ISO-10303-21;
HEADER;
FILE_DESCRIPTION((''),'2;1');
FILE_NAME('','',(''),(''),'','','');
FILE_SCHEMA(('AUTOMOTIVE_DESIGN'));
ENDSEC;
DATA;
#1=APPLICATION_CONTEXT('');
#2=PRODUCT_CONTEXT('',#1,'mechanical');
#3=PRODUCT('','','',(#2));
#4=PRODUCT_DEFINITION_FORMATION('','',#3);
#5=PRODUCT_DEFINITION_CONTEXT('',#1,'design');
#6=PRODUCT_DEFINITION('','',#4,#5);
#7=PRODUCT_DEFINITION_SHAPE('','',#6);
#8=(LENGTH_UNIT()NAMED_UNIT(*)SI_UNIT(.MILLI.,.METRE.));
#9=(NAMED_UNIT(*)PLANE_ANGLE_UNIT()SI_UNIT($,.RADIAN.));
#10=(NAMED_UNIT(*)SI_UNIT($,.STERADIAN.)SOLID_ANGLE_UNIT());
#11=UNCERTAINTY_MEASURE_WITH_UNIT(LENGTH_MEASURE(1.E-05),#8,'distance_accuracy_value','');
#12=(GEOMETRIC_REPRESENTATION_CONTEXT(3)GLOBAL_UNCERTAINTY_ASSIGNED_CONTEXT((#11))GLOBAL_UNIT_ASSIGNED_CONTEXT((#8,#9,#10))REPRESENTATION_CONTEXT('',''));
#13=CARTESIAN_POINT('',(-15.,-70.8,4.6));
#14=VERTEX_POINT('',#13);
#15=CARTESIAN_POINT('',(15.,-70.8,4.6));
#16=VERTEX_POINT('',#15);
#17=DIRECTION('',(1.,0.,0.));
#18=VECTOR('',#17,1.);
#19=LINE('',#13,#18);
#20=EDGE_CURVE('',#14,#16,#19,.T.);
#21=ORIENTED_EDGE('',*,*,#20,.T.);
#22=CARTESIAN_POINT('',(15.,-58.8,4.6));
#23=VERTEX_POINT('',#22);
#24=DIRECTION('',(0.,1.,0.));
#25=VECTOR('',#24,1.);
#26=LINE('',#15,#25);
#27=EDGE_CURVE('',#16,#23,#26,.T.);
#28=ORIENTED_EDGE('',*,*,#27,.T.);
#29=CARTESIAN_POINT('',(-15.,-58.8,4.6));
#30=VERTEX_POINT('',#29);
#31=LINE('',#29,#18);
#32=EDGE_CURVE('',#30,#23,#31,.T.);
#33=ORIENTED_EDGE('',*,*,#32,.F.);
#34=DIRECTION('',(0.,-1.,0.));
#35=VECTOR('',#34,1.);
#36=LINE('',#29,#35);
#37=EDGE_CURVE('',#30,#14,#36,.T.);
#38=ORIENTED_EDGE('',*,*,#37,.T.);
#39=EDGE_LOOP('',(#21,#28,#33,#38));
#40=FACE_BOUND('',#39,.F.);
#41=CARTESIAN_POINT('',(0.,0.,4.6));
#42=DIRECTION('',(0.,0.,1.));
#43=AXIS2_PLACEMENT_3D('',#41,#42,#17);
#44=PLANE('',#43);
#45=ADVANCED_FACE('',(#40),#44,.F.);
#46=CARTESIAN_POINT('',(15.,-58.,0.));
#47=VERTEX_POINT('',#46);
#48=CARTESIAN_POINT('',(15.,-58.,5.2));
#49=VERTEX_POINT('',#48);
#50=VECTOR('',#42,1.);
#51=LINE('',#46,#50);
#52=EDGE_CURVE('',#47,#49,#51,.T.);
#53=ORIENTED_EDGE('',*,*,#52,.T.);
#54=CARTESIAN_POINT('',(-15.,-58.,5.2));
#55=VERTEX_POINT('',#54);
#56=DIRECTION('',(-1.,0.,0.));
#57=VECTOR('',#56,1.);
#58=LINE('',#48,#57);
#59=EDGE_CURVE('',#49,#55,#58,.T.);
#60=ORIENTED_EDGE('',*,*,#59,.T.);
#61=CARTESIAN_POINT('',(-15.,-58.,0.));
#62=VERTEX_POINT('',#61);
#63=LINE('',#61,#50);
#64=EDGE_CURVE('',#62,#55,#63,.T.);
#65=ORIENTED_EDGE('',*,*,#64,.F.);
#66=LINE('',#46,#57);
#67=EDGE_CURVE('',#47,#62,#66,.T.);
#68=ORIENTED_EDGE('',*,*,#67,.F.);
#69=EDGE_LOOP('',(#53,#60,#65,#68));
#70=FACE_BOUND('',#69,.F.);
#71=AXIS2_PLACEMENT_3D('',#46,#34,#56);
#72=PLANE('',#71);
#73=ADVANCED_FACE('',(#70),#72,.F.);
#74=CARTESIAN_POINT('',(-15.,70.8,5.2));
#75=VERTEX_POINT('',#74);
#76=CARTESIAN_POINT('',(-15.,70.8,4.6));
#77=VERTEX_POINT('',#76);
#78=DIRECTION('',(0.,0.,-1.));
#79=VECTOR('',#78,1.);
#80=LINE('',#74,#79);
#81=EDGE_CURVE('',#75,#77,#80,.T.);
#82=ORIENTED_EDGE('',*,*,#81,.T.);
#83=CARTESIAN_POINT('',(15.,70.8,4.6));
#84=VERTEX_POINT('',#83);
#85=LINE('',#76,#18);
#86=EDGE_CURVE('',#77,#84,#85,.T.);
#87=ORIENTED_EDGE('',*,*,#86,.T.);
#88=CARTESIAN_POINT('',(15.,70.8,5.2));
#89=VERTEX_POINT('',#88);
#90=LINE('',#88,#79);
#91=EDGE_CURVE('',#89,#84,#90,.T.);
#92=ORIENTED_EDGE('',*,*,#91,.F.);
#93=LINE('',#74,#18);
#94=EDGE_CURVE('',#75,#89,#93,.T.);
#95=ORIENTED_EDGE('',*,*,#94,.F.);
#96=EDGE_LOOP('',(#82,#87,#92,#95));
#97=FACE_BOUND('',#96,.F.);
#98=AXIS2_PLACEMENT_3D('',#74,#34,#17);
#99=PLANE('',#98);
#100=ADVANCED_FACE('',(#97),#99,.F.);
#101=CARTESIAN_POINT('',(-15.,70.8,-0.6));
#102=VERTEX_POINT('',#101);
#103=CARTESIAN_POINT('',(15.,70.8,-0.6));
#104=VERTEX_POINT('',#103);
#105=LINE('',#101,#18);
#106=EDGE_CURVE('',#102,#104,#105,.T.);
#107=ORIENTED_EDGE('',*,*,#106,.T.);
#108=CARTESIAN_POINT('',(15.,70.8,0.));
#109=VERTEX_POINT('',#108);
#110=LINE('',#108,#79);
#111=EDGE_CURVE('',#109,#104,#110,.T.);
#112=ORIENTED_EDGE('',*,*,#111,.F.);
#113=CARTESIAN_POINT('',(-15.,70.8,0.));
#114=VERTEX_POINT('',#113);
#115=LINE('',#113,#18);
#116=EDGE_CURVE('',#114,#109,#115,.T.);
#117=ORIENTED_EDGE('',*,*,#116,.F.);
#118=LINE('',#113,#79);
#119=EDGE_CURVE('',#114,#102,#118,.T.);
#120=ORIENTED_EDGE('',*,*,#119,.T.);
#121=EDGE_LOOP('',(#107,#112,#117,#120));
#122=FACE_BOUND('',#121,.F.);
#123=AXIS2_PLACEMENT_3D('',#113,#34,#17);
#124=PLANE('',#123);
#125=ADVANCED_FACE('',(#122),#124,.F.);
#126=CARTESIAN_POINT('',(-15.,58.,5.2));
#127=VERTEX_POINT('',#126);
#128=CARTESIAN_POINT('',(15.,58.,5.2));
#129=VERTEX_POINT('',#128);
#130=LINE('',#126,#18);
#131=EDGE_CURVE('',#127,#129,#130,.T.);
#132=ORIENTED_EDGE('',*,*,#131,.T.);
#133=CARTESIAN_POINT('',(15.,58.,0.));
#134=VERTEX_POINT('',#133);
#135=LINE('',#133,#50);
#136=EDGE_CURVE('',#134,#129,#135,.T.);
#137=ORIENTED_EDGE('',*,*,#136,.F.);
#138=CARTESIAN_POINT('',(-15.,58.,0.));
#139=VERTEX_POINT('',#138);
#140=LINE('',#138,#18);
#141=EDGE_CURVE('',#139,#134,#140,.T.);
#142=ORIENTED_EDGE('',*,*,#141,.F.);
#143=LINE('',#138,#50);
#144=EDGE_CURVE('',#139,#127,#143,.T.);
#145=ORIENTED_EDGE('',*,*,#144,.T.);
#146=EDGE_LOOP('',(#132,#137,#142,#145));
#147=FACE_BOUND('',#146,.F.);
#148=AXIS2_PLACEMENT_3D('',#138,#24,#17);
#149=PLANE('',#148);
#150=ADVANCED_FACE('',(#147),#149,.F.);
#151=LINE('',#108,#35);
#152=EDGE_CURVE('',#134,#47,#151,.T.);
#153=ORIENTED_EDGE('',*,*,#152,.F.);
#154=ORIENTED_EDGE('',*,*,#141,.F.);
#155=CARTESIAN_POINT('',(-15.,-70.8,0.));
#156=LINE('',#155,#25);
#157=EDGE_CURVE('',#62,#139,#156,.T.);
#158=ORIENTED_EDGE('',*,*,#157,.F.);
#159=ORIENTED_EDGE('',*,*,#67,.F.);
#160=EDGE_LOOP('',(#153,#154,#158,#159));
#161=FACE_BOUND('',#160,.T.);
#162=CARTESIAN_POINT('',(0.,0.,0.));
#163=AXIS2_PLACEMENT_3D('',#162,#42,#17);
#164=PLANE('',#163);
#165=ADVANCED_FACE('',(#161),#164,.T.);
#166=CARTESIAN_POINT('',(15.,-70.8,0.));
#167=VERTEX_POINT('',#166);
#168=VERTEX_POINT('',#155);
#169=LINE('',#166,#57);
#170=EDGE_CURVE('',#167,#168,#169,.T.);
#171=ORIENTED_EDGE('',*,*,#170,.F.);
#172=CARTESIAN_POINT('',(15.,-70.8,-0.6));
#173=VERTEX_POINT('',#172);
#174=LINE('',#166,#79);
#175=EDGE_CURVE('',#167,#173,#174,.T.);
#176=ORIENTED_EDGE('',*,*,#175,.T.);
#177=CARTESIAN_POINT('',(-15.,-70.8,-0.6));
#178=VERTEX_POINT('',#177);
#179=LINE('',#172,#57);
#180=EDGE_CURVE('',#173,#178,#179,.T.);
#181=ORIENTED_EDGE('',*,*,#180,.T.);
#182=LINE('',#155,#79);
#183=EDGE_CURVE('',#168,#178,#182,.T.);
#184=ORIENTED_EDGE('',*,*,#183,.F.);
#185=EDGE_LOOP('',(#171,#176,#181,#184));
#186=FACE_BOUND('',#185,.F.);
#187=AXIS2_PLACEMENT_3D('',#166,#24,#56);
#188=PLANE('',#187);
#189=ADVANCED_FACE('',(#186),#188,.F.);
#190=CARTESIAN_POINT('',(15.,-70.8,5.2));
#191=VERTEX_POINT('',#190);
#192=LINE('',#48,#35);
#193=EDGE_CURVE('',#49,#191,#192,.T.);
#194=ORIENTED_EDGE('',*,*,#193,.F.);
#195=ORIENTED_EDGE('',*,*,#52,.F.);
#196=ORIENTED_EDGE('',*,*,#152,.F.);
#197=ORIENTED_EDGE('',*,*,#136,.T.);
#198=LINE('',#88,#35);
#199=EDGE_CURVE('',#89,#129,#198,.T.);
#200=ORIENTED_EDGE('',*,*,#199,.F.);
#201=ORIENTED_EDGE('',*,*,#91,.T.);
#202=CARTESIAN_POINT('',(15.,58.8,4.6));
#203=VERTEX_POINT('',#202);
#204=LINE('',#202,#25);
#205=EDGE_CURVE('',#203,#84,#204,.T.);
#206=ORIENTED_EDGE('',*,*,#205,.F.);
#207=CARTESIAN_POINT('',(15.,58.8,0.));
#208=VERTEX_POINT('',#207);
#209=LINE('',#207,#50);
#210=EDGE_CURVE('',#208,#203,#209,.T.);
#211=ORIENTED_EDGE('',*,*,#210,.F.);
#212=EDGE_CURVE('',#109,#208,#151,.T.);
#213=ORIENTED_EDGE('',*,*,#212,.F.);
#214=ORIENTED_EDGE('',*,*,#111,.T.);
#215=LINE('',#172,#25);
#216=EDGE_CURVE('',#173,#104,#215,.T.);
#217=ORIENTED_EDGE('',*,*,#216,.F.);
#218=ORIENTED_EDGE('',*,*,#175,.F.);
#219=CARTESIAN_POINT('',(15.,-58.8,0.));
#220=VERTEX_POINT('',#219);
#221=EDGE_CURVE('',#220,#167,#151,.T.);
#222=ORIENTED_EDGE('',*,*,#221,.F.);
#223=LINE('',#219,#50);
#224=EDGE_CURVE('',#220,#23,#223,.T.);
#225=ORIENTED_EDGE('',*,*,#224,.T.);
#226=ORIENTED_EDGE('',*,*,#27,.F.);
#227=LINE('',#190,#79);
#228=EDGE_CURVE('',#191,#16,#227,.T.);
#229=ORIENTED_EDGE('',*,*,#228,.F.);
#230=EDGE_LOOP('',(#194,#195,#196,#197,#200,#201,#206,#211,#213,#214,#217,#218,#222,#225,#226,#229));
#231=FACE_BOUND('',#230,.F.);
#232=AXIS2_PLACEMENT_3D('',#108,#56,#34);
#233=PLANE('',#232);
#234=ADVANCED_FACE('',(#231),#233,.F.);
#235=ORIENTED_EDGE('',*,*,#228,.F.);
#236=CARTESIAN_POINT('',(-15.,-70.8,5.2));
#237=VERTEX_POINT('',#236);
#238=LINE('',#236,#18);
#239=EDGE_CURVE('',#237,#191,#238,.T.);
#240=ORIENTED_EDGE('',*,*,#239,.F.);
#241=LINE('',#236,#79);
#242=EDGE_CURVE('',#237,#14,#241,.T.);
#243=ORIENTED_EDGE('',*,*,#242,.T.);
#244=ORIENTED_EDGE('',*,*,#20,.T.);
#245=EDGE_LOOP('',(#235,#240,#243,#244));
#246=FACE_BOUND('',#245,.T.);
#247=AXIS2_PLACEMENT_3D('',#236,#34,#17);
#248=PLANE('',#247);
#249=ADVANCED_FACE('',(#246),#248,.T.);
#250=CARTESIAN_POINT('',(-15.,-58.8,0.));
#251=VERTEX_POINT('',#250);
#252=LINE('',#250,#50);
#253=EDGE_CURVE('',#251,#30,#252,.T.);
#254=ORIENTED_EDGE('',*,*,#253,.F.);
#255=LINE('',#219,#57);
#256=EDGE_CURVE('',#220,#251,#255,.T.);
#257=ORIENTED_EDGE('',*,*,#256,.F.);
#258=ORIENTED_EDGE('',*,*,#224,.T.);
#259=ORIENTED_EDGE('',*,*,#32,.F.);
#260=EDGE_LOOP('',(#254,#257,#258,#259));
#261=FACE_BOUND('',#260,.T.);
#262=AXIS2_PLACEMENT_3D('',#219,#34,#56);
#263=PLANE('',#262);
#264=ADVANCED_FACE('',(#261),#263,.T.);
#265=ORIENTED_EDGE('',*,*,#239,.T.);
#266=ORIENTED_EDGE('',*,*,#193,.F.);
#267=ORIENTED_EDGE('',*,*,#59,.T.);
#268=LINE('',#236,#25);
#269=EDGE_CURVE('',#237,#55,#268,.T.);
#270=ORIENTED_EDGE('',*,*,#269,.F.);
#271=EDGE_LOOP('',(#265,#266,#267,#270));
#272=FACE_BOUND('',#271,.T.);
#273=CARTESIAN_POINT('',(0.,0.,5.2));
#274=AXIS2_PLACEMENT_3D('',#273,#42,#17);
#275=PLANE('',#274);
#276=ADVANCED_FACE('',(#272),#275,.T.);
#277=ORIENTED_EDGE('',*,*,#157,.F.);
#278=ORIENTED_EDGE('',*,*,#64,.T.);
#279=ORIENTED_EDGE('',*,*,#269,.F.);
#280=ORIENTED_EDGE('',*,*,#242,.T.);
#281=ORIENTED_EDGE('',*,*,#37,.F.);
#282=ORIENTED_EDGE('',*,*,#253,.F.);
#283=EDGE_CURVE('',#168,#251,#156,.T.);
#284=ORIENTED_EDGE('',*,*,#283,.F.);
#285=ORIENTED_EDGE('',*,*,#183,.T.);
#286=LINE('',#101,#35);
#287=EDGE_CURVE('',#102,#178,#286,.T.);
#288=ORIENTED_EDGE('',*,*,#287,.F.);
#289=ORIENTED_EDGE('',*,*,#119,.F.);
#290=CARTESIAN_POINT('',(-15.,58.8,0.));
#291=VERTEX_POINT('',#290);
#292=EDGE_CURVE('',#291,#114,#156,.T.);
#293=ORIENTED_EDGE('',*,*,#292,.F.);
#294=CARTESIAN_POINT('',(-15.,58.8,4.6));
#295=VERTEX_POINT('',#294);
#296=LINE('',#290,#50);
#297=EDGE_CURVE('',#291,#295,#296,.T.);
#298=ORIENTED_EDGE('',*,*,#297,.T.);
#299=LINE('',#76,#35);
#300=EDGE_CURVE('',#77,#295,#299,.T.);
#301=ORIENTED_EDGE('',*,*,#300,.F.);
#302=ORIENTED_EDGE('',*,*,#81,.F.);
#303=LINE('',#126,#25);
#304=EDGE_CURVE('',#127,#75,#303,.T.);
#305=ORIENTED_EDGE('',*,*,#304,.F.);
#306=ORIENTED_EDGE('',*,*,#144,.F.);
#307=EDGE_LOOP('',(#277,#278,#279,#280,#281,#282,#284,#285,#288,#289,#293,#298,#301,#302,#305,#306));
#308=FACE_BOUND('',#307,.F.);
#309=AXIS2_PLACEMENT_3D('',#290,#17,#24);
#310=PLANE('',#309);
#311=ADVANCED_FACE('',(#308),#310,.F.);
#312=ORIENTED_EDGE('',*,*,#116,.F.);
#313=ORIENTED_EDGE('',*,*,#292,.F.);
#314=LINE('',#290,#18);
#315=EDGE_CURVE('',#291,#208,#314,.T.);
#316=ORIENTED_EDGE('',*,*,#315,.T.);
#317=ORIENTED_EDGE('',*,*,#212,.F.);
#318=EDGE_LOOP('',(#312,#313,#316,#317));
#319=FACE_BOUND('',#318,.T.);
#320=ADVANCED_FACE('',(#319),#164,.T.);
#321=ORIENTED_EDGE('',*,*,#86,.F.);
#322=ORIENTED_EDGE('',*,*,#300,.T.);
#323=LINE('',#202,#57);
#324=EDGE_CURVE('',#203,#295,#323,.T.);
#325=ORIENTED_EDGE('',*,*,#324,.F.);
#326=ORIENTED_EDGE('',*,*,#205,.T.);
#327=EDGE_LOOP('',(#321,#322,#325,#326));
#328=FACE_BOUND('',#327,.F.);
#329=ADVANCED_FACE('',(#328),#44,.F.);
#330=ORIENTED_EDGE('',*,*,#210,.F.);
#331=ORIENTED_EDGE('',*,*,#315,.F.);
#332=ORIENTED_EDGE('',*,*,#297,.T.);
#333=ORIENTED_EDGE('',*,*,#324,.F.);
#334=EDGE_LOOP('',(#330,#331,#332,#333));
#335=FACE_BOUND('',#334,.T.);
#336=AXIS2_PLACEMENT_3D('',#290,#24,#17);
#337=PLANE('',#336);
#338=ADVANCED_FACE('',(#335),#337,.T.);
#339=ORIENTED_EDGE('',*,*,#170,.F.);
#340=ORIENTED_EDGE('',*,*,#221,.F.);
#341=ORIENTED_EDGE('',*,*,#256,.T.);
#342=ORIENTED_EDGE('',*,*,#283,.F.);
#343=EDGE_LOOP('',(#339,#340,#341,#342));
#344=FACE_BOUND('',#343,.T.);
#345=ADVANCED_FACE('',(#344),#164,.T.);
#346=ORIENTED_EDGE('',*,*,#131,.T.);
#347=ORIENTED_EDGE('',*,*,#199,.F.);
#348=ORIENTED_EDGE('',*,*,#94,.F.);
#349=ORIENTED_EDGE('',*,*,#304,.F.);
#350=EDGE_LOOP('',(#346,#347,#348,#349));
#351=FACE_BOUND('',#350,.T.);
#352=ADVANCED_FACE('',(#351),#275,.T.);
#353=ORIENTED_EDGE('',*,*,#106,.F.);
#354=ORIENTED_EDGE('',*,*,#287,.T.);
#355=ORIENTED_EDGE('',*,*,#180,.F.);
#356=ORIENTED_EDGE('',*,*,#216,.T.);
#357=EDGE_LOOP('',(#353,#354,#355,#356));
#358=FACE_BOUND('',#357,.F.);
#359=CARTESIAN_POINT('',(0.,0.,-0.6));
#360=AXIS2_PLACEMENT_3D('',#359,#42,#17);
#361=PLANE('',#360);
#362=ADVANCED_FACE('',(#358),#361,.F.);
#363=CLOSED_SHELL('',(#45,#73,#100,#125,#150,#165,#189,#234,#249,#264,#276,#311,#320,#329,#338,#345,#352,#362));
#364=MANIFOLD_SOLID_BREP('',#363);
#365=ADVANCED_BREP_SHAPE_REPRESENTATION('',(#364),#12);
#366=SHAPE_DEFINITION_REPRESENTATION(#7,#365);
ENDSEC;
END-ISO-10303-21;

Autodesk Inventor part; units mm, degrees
ref_plane "YZ Plane" through (0, 0, 0) normal (1, 0, 0) x (0, 1, 0)
ref_plane "XZ Plane" through (0, 0, 0) normal (0, 1, 0) x (-1, 0, 0)
ref_plane "XY Plane" through (0, 0, 0) normal (0, 0, 1) x (1, 0, 0)
sketch "Sketch1" plane through (0, 0, 0) normal (0, 0, 1) x (1, 0, 0)
  line L0 (-15, 70.8) -> (15, 70.8)
  line L1 (15, 70.8) -> (15, -70.8)
  line L2 (15, -70.8) -> (-15, -70.8)
  line L3 (-15, -70.8) -> (-15, 70.8)
  line L4 (0, 70.8) -> (0, -70.8) construction
  line L5 (-15, 58.8) -> (15, 58.8)
  line L6 (15, 58.8) -> (15, -58.8)
  line L7 (15, -58.8) -> (-15, -58.8)
  line L8 (-15, -58.8) -> (-15, 58.8)
  line L9 (0, 58.8) -> (0, -58.8) construction
  line L10 (-15, 58) -> (15, 58)
  line L11 (15, 58) -> (15, -58)
  line L12 (15, -58) -> (-15, -58)
  line L13 (-15, -58) -> (-15, 58)
  line L14 (0, 58) -> (0, -58) construction
  point P0 (0, 0)
  point P1 (0, 0)
  point P2 (15, -58)
  point P3 (-15, -58)
  point P4 (-15, -58.8)
  point P5 (15, -58.8)
  point P6 (-15, 58)
  point P7 (15, 58)
  point P8 (15, 58.8)
  point P9 (-15, 58.8)
  dimension "d0" = 141.6
  dimension "d1" = 30
  dimension "d4" = 117.6
  dimension "d5" = 116
extrude "Extrusion1" add sketch "Sketch1" against normal blind 0.6
extrude "Extrusion2" add sketch "Sketch1" along normal blind 5.2 contours L5 L1 L10 L3 | L12 L1 L7 L3
ref_plane "upper Plane" through (0, 0, 5.2) normal (0, 0, 1) x (1, 0, 0)
sketch "Sketch2" plane through (0, 0, 5.2) normal (0, 0, 1) x (1, 0, 0)
  line L0 (-15, 70.8) -> (15, 70.8) projected
  line L1 (-15, 70.8) -> (-15, 58.8) projected
  line L2 (-15, 58) -> (-15, -58) projected
  line L3 (-15, -58) -> (-15, -58.8) projected
  line L4 (-15, -58.8) -> (-15, -70.8) projected
  line L5 (-15, -70.8) -> (15, -70.8) projected
  line L6 (15, -70.8) -> (15, -58.8) projected
  line L7 (15, -58.8) -> (15, -58) projected
  line L8 (15, -58) -> (15, 58) projected
  line L9 (15, 58.8) -> (15, 70.8) projected
  line L10 (15, 58) -> (15, 58.8) projected
  line L11 (-15, 58.8) -> (-15, 58) projected
  line L12 (15, 58.8) -> (-15, 58.8) projected
  line L13 (-15, -58.8) -> (15, -58.8) projected
  point P0 (0, 0)
extrude "Extrusion4" add sketch "Sketch2" against normal blind 0.6 contours L0 L9 L12 L1 | L13 L6 L5 L4
equation "\"d0\" = coil_spacer_width + 2 * grab_distance"
equation "\"d1\" = coil_spacer_length"
equation "\"d4\" = coil_spacer_width"
equation "\"d5\" = coil_spacer_width - 2 * wire_diameter_tolerance"
equation "\"d2\" = coil_spacer_thickness"
equation "\"d6\" = wire_diameter"
equation "\"d11\" = coil_spacer_thickness"
equation "\"coil_spacer_length\" = 30"
equation "\"coil_spacer_width\" = 117.6"
equation "\"coil_spacer_thickness\" = 0.6"
equation "\"grab_distance\" = 12"
equation "\"wire_diameter_tolerance\" = 0.8"
equation "\"wire_diameter\" = 5.2"
properties part number "coil_spacer"
